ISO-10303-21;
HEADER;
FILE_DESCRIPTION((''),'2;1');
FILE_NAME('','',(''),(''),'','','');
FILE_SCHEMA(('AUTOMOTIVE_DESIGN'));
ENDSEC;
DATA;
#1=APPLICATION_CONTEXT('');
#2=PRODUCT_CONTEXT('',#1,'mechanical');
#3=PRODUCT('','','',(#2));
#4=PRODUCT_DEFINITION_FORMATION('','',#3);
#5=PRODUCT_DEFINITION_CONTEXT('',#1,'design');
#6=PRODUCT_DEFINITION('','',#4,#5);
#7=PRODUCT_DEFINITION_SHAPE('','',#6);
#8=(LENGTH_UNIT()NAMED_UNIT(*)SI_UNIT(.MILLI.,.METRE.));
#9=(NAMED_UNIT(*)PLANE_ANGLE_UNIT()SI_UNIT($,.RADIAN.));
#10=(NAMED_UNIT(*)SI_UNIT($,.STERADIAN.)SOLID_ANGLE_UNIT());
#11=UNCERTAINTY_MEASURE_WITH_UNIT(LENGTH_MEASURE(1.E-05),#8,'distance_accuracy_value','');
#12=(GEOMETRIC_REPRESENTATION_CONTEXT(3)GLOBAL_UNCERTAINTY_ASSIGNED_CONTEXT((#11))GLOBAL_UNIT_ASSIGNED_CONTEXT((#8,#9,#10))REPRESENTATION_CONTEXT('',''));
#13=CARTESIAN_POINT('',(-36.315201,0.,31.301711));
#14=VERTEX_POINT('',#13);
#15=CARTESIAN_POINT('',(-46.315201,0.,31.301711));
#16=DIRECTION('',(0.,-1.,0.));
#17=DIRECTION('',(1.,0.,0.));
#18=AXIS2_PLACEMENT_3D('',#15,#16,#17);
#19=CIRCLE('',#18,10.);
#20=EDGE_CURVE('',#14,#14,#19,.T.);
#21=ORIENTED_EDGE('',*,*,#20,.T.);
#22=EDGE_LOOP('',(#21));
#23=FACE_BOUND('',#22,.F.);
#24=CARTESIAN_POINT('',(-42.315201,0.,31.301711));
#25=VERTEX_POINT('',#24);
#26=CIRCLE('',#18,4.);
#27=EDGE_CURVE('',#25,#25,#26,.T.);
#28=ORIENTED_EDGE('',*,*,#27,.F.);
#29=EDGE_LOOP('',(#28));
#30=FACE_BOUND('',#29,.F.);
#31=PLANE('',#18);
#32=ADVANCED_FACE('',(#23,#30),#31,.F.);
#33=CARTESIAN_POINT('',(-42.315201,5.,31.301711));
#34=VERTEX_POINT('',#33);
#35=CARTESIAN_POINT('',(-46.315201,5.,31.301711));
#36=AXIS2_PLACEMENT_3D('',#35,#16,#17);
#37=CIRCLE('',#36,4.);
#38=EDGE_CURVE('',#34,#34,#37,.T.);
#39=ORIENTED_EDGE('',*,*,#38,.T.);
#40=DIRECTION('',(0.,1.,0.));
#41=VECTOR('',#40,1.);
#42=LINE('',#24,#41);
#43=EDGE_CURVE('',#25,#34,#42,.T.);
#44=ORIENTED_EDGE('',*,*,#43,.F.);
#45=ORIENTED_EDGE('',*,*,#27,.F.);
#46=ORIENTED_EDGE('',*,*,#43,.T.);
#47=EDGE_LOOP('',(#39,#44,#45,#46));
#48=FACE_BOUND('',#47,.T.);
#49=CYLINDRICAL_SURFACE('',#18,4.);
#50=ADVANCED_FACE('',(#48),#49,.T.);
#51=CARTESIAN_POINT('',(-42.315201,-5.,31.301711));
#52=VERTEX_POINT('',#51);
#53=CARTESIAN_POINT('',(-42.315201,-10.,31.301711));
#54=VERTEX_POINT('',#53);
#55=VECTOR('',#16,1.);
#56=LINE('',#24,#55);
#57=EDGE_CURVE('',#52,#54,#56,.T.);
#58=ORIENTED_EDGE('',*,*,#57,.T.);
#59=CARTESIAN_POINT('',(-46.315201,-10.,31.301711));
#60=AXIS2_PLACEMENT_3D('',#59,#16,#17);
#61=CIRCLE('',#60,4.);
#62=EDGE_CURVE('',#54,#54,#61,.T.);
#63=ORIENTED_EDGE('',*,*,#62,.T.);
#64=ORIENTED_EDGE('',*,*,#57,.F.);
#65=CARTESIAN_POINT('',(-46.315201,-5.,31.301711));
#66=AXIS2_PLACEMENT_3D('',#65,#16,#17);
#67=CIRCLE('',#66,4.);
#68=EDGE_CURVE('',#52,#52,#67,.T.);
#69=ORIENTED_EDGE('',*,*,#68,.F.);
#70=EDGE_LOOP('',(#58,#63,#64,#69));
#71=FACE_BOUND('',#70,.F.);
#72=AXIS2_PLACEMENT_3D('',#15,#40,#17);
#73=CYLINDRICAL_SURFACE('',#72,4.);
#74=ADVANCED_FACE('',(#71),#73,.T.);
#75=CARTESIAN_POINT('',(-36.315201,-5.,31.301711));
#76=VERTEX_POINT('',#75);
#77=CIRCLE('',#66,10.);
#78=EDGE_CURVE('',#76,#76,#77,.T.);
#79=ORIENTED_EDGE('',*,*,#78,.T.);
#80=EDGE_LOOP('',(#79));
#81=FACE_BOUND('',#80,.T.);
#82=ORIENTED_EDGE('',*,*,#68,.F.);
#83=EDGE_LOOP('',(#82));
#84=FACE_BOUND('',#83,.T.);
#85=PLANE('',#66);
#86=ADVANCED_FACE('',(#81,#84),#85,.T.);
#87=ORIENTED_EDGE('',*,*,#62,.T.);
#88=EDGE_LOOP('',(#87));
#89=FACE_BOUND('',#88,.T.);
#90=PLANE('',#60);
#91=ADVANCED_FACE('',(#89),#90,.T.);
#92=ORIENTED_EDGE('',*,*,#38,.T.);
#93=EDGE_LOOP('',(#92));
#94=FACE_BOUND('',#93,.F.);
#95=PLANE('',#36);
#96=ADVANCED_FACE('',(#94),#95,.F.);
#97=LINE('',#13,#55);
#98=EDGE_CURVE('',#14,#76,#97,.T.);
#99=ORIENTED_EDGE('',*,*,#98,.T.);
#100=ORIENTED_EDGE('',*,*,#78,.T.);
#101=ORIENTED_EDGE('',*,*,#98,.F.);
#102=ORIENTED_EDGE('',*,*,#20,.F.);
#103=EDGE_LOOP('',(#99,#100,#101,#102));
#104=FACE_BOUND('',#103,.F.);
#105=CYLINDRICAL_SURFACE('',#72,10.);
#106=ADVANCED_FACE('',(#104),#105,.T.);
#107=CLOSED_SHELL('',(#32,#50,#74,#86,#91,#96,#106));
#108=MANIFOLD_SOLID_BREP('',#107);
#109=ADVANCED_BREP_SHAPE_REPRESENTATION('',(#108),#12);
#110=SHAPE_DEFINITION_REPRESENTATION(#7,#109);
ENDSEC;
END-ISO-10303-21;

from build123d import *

# Parameters (mm, degrees)
F0_R          = 10
F0_R_2        = 4
F1_DEPTH      = 5
F2_DEPTH      = 10
F2_DEPTH_BACK = 5


with BuildPart() as f1:
    # F0 (on Front) → F1 (new body)
    with BuildSketch(Plane.XZ):
        with Locations((-46.315201, 31.301711)):
            Circle(F0_R)
        with Locations((-46.315201, 31.301711)):
            Circle(F0_R_2, mode=Mode.SUBTRACT)
    extrude(amount=F1_DEPTH)

    # F0 (on Front) → F2 (join, two sides)
    with BuildSketch(Plane.XZ) as f2_sk:
        with Locations((-46.315201, 31.301711)):
            Circle(F0_R_2)
    extrude(amount=F2_DEPTH)
    extrude(f2_sk.sketch, amount=-F2_DEPTH_BACK)


solid = f1.part
